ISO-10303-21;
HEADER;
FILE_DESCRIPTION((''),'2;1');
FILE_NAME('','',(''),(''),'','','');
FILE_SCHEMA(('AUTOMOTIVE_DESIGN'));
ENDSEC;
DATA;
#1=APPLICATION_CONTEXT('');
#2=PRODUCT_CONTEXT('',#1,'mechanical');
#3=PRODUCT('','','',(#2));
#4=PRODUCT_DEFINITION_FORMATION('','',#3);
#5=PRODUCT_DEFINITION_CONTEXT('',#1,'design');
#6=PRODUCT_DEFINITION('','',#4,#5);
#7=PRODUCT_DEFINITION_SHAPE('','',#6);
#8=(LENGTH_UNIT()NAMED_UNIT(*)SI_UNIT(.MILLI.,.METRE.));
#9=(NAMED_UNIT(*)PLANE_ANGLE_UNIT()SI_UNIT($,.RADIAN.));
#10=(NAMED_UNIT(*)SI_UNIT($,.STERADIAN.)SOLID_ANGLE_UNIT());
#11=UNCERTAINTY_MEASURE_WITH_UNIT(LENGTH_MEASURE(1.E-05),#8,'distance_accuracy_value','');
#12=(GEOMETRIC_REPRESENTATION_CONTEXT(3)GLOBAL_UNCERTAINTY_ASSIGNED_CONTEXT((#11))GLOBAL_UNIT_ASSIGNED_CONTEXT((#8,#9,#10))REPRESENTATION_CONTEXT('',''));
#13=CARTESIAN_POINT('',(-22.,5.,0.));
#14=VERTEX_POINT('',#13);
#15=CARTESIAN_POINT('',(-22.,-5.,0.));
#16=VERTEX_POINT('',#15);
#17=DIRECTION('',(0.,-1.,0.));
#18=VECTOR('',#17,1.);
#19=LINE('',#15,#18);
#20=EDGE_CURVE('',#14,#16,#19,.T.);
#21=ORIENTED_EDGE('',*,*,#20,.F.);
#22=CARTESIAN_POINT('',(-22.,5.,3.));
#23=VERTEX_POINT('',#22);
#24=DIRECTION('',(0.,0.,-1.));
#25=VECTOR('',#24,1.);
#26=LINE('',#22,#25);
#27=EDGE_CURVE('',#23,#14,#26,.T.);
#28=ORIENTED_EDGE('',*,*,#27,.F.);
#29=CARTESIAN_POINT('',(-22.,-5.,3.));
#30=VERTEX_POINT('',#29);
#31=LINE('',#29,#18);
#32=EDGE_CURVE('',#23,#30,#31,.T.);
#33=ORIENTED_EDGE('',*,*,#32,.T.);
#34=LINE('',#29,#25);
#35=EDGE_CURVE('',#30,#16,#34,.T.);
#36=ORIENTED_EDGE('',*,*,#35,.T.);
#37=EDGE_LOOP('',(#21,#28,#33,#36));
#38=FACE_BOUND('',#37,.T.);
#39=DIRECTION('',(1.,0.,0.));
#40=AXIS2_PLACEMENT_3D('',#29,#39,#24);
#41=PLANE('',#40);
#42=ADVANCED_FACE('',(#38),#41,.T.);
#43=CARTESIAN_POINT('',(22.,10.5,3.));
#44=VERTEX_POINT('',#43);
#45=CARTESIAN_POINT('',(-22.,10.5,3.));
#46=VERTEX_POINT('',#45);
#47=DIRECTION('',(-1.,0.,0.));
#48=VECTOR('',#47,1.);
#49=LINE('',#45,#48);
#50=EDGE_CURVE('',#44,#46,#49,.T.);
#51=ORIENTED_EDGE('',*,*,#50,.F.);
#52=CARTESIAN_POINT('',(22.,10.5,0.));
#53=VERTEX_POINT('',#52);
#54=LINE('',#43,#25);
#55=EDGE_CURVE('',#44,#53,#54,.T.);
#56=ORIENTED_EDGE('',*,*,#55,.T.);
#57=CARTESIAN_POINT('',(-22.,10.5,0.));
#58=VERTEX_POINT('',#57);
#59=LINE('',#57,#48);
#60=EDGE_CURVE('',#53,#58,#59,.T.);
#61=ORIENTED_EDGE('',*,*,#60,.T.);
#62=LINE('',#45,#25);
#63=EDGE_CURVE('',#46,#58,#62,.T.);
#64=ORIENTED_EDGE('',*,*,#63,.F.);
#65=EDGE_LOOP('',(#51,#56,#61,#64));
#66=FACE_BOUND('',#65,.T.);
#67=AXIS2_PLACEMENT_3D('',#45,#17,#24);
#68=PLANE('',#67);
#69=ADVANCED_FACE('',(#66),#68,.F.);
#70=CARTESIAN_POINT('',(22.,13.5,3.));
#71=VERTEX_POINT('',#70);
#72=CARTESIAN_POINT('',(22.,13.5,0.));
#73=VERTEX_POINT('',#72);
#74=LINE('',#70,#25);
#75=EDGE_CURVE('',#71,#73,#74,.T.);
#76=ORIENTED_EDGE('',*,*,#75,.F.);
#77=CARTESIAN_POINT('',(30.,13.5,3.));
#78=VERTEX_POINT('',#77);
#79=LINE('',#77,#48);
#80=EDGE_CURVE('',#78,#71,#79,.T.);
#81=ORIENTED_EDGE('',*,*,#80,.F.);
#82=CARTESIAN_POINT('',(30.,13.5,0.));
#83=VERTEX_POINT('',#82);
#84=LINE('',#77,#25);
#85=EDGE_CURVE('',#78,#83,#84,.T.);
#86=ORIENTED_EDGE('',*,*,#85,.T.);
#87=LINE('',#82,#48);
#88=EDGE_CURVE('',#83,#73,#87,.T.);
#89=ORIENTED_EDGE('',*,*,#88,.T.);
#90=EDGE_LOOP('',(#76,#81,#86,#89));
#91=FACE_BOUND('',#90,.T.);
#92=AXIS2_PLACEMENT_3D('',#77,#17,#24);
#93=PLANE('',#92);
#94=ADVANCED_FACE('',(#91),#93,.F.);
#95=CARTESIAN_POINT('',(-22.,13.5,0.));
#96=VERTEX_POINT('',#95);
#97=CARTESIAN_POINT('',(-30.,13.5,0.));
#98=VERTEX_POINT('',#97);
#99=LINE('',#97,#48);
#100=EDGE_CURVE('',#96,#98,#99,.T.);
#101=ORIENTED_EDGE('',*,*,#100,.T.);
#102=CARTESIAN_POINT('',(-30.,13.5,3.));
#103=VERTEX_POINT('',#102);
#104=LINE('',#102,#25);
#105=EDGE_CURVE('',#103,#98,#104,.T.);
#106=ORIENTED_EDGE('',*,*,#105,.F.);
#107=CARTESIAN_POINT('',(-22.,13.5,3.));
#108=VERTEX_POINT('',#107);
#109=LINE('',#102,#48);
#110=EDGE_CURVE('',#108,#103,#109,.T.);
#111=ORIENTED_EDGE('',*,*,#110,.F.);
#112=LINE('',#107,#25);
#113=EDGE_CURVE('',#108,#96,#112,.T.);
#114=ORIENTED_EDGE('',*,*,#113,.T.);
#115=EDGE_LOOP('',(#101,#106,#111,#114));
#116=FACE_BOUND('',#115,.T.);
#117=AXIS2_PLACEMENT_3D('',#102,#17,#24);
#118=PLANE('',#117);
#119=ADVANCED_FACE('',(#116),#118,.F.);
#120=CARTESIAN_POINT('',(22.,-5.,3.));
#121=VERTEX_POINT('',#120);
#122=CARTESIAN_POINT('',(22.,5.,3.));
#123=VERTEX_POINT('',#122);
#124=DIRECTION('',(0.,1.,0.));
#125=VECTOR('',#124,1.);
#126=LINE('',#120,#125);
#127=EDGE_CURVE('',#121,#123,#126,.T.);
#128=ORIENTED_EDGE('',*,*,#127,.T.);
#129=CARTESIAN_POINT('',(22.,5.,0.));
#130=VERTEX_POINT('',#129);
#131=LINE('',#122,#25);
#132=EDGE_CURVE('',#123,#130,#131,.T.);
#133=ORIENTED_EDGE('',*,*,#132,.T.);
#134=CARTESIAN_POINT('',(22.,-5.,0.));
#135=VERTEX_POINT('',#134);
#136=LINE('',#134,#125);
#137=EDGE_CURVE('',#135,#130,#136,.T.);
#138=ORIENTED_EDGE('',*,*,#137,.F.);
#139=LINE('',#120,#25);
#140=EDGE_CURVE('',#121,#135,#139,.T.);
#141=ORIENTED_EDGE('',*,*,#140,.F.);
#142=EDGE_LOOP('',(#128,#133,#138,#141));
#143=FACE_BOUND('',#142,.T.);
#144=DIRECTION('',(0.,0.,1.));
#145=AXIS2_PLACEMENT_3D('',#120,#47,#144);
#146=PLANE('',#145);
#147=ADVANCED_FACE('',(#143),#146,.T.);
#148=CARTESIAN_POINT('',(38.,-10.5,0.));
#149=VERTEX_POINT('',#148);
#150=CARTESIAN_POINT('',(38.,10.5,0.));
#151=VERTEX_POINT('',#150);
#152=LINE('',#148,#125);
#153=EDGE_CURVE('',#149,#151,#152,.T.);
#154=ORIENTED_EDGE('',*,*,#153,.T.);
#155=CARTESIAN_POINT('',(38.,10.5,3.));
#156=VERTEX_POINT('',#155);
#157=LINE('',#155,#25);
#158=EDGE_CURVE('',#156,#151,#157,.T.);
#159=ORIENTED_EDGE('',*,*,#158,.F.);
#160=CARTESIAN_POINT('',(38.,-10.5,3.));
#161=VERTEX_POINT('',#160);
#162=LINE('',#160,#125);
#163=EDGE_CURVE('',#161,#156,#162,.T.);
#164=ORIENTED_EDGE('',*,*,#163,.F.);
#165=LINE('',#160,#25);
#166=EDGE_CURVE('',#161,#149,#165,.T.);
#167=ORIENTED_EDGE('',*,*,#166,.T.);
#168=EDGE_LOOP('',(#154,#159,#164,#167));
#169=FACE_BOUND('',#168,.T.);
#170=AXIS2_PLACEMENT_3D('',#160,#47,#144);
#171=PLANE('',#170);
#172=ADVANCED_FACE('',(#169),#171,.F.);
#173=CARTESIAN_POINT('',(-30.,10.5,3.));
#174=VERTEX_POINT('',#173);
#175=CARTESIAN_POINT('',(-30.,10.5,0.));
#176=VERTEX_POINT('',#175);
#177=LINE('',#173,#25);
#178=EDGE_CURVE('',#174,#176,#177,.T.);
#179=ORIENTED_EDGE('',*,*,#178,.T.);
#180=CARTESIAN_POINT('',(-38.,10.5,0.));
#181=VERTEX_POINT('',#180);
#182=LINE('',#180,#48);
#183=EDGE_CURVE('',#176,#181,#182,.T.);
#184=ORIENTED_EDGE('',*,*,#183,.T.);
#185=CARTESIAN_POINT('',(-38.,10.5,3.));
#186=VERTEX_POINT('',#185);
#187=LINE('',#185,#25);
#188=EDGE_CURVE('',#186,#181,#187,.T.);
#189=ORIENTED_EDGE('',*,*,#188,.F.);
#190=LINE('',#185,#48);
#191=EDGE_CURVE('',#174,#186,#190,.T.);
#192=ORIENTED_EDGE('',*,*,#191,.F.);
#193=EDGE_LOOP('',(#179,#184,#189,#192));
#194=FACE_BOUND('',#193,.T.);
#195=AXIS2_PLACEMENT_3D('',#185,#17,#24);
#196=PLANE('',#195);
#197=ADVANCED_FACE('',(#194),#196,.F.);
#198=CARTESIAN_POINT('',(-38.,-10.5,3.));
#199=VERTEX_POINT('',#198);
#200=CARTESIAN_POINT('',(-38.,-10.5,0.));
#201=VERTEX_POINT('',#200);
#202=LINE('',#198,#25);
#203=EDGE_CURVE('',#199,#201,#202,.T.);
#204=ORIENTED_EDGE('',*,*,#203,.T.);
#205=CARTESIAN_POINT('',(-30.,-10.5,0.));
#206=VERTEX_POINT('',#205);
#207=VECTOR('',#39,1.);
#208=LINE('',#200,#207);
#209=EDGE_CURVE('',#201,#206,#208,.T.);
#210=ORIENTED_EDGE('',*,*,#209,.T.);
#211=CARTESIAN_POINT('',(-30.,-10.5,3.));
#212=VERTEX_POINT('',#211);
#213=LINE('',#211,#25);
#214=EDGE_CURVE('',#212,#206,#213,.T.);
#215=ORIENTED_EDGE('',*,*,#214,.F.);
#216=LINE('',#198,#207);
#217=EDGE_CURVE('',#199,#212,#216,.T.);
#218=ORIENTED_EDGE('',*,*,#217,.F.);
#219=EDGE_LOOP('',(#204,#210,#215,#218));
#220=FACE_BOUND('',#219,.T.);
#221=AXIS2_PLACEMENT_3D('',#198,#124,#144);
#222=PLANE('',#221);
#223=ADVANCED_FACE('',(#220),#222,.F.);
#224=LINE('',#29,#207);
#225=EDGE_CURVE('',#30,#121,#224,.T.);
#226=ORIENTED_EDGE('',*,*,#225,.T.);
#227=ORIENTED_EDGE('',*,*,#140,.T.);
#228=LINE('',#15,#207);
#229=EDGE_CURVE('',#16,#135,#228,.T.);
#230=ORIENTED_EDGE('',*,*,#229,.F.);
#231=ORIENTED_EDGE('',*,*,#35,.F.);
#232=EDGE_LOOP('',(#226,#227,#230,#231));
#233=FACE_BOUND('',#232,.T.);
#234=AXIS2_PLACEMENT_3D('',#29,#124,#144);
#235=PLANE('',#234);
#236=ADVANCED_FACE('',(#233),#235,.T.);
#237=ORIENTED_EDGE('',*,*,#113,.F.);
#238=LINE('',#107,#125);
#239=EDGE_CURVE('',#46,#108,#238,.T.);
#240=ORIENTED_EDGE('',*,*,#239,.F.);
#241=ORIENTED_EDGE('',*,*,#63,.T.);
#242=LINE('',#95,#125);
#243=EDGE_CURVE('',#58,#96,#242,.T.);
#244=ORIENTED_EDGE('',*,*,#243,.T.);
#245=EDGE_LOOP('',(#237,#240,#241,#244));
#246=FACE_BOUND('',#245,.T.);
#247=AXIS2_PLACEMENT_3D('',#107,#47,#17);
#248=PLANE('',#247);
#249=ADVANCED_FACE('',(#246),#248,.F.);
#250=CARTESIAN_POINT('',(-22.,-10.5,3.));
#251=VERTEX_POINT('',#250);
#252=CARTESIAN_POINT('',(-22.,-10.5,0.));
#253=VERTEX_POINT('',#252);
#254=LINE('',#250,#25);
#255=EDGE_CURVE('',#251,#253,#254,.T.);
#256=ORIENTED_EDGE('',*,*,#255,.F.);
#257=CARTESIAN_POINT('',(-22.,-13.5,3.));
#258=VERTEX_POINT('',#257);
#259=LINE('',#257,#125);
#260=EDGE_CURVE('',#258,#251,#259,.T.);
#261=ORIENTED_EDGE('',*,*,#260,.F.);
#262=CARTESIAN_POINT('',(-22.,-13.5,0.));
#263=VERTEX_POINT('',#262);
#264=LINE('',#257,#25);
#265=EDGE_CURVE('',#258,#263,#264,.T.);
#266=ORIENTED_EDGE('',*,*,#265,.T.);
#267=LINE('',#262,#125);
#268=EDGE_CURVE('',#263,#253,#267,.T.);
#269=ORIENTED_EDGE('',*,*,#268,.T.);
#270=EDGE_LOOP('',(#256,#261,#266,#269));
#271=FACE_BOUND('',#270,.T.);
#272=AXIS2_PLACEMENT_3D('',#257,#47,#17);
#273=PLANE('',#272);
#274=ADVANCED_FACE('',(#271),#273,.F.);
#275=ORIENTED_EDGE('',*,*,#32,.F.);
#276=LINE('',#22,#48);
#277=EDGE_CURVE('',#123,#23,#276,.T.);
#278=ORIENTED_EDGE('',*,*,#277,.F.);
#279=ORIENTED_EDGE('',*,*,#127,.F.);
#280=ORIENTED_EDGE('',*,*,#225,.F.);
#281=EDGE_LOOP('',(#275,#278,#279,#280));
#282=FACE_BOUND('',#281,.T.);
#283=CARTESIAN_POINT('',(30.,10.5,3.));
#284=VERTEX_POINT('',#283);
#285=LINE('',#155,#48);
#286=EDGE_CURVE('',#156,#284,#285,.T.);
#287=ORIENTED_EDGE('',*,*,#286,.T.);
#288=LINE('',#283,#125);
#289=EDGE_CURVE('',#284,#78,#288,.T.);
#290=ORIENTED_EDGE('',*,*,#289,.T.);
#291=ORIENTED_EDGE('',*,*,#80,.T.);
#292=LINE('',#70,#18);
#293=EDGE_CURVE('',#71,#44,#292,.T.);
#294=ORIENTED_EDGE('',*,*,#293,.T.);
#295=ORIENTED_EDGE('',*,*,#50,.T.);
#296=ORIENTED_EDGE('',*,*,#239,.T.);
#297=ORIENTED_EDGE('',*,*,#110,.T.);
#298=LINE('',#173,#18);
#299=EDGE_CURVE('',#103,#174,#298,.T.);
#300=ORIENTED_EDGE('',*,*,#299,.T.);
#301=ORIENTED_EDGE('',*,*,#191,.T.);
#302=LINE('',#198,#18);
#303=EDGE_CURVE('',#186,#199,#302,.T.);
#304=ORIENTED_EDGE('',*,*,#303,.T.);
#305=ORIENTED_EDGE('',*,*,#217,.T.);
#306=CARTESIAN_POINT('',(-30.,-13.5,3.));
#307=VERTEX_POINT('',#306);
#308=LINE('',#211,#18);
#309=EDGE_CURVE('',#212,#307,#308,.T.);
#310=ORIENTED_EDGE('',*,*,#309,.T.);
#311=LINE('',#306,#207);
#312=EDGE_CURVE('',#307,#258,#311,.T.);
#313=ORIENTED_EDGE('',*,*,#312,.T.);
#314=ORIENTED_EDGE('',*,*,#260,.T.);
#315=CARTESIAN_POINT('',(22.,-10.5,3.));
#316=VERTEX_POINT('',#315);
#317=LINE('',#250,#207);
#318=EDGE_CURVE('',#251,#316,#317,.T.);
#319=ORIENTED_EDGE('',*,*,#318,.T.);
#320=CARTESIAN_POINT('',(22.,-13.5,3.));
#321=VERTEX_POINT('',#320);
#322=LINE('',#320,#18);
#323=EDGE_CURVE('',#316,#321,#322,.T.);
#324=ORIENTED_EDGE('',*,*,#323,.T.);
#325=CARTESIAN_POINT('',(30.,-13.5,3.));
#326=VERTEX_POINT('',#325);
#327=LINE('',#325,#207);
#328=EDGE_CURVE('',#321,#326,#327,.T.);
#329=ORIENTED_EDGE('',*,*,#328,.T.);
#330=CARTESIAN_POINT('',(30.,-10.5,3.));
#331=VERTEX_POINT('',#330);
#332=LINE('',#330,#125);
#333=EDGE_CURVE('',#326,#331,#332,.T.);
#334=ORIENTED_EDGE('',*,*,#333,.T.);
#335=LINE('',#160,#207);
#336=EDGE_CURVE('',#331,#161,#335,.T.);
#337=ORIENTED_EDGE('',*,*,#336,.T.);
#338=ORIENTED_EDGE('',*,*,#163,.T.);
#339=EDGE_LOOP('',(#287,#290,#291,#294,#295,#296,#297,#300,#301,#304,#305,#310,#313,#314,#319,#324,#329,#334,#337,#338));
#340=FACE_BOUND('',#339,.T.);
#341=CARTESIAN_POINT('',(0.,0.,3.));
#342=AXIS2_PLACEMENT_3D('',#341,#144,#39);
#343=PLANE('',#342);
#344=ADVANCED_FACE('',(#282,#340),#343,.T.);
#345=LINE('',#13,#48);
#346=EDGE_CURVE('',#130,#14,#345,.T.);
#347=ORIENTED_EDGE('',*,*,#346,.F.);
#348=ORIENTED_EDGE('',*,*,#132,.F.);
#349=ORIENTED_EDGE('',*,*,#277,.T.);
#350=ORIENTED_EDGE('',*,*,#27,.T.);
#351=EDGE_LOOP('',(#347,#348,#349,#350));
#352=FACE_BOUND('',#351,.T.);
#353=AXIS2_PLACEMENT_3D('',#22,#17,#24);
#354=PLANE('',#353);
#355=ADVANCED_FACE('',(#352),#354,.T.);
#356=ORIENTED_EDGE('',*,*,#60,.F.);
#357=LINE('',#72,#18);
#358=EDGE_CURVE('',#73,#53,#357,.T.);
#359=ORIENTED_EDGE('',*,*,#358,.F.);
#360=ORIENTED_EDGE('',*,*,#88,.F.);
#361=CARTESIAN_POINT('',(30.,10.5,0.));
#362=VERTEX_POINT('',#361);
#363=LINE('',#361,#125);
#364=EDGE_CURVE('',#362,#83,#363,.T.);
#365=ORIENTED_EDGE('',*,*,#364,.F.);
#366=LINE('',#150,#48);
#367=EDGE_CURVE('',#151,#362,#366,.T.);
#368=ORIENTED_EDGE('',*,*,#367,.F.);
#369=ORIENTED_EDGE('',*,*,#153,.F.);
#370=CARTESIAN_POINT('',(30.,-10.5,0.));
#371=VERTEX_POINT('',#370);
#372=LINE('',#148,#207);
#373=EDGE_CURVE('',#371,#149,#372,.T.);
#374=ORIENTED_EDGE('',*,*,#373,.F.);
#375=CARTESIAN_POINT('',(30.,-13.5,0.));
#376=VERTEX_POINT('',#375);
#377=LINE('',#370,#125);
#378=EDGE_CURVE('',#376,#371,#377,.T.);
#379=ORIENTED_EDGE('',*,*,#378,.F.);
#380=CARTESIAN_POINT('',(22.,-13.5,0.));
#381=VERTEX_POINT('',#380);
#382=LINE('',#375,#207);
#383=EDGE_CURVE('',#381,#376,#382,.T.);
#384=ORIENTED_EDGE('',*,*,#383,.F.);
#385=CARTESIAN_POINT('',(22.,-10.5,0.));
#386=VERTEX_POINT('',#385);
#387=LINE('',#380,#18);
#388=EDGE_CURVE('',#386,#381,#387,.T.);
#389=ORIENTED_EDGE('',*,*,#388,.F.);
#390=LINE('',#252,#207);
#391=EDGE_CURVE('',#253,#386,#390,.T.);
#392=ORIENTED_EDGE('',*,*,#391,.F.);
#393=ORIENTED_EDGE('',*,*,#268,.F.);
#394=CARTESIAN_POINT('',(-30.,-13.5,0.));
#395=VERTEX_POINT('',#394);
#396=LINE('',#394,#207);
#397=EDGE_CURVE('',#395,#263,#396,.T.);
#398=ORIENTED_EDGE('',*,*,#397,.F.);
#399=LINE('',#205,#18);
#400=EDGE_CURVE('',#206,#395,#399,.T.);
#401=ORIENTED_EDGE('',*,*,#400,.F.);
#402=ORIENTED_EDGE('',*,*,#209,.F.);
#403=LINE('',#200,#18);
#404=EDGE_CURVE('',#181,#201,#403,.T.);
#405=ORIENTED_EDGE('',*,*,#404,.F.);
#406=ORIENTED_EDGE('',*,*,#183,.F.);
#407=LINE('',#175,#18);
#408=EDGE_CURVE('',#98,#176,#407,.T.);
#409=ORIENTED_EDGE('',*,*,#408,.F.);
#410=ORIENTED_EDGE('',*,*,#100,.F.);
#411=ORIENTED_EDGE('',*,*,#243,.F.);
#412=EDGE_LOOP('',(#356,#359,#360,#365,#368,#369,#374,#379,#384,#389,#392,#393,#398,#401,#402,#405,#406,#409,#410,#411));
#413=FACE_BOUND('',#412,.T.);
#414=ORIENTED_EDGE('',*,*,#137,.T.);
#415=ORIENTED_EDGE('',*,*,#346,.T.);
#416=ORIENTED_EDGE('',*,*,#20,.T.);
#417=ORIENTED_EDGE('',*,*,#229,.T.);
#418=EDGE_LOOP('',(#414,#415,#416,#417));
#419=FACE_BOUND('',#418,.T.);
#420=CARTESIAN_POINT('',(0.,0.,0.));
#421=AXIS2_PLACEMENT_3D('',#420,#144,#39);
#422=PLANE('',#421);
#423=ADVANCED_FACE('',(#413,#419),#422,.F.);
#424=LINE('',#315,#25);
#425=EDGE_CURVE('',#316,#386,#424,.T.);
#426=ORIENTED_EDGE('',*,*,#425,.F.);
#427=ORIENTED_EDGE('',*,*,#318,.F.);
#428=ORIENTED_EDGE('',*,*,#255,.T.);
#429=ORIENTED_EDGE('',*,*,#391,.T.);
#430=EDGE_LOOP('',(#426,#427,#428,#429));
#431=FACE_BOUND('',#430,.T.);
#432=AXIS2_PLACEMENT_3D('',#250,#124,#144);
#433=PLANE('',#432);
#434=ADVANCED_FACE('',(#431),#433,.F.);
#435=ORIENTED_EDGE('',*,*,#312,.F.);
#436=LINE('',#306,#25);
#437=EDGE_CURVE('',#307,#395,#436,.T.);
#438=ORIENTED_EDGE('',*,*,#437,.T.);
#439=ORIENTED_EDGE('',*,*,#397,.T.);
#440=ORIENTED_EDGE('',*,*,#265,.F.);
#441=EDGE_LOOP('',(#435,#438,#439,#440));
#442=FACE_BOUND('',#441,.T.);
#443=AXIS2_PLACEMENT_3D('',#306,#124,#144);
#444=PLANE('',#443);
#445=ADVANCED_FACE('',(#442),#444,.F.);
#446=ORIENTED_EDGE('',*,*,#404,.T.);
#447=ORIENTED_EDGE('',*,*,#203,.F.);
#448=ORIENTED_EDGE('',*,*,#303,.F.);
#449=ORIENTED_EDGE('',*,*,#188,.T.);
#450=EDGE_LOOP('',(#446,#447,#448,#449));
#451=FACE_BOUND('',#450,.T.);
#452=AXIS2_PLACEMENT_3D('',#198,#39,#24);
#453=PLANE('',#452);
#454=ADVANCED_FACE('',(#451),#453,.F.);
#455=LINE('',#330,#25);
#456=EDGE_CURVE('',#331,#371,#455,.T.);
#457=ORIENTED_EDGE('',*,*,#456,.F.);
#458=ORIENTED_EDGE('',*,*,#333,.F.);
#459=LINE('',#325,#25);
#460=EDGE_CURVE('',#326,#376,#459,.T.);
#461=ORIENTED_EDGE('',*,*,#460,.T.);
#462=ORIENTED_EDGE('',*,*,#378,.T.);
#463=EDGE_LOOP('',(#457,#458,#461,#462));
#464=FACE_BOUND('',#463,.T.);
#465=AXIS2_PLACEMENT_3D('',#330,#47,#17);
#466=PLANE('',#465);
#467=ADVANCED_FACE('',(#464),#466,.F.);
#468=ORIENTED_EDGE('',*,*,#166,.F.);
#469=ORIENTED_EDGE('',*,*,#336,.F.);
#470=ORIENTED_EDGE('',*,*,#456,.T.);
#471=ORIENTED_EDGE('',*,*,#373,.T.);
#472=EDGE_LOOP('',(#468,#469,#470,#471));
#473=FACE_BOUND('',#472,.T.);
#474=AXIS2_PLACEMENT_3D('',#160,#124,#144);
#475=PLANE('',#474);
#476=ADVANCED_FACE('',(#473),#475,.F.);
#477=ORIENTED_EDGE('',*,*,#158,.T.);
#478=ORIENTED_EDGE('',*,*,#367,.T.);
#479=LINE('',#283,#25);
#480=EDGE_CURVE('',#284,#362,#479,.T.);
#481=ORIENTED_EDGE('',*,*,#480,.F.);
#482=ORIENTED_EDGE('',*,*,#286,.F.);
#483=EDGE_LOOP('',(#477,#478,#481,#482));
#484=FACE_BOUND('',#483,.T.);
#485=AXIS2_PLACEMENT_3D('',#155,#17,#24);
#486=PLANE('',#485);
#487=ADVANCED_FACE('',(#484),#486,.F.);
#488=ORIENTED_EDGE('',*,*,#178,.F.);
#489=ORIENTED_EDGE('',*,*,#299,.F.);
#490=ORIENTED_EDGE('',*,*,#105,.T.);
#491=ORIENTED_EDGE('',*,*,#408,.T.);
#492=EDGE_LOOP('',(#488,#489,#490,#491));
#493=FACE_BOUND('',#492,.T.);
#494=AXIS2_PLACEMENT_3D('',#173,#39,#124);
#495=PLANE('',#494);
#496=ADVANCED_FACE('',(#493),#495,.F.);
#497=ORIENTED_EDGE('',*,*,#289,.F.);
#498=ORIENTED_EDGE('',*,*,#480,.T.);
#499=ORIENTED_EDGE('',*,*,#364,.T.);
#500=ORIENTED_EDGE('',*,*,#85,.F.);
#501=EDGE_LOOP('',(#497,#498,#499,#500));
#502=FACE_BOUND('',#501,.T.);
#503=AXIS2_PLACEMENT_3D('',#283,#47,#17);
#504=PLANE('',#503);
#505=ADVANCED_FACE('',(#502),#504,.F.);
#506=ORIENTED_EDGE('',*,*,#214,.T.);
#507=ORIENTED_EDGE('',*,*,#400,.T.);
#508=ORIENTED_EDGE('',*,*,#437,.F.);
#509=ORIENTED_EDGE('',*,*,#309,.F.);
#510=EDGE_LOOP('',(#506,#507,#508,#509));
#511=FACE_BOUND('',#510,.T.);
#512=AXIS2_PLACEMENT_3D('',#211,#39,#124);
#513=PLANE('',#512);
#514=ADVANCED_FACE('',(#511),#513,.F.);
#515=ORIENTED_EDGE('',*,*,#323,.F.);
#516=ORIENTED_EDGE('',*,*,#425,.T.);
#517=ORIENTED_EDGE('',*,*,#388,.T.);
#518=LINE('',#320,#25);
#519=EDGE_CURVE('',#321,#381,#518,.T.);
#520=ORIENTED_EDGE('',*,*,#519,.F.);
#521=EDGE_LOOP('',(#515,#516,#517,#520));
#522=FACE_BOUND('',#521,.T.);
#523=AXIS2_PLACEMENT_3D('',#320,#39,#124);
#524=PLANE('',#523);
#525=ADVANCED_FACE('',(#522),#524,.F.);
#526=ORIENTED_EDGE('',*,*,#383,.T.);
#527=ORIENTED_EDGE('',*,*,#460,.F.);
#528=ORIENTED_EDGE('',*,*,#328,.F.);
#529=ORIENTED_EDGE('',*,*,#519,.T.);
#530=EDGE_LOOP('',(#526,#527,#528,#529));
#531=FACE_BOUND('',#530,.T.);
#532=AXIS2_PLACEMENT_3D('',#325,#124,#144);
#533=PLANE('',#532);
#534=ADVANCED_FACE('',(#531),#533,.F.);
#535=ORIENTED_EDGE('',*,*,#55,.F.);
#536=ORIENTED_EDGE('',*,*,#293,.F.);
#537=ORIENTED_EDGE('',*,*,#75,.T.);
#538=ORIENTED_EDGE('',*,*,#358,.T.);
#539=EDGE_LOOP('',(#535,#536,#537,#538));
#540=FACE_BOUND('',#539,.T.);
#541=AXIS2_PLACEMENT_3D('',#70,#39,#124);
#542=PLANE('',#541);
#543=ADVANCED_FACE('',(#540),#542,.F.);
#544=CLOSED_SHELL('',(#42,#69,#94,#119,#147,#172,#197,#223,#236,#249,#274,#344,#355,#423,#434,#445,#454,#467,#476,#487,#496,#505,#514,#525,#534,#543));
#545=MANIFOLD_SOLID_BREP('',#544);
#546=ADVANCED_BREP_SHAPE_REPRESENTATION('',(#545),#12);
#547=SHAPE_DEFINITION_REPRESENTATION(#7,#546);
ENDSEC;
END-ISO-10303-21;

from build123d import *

# Parameters (mm, degrees)
SKETCH_1_W      = 44
SKETCH_1_H      = 10
EXTRUDE_1_DEPTH = 3


with BuildPart() as part:
    # 草图1 → 凸台-拉伸1 (new body)
    with BuildSketch(Plane.XY):
        Polygon((-38, -10.5), (-38, 10.5), (-30, 10.5), (-30, 13.5), (-22, 13.5), (-22, 10.5), (22, 10.5), (22, 13.5), (30, 13.5), (30, 10.5), (38, 10.5), (38, -10.5), (30, -10.5), (30, -13.5), (22, -13.5), (22, -10.5), (-22, -10.5), (-22, -13.5), (-30, -13.5), (-30, -10.5), align=None)
        Rectangle(SKETCH_1_W, SKETCH_1_H, mode=Mode.SUBTRACT)
    extrude(amount=EXTRUDE_1_DEPTH)


solid = part.part
